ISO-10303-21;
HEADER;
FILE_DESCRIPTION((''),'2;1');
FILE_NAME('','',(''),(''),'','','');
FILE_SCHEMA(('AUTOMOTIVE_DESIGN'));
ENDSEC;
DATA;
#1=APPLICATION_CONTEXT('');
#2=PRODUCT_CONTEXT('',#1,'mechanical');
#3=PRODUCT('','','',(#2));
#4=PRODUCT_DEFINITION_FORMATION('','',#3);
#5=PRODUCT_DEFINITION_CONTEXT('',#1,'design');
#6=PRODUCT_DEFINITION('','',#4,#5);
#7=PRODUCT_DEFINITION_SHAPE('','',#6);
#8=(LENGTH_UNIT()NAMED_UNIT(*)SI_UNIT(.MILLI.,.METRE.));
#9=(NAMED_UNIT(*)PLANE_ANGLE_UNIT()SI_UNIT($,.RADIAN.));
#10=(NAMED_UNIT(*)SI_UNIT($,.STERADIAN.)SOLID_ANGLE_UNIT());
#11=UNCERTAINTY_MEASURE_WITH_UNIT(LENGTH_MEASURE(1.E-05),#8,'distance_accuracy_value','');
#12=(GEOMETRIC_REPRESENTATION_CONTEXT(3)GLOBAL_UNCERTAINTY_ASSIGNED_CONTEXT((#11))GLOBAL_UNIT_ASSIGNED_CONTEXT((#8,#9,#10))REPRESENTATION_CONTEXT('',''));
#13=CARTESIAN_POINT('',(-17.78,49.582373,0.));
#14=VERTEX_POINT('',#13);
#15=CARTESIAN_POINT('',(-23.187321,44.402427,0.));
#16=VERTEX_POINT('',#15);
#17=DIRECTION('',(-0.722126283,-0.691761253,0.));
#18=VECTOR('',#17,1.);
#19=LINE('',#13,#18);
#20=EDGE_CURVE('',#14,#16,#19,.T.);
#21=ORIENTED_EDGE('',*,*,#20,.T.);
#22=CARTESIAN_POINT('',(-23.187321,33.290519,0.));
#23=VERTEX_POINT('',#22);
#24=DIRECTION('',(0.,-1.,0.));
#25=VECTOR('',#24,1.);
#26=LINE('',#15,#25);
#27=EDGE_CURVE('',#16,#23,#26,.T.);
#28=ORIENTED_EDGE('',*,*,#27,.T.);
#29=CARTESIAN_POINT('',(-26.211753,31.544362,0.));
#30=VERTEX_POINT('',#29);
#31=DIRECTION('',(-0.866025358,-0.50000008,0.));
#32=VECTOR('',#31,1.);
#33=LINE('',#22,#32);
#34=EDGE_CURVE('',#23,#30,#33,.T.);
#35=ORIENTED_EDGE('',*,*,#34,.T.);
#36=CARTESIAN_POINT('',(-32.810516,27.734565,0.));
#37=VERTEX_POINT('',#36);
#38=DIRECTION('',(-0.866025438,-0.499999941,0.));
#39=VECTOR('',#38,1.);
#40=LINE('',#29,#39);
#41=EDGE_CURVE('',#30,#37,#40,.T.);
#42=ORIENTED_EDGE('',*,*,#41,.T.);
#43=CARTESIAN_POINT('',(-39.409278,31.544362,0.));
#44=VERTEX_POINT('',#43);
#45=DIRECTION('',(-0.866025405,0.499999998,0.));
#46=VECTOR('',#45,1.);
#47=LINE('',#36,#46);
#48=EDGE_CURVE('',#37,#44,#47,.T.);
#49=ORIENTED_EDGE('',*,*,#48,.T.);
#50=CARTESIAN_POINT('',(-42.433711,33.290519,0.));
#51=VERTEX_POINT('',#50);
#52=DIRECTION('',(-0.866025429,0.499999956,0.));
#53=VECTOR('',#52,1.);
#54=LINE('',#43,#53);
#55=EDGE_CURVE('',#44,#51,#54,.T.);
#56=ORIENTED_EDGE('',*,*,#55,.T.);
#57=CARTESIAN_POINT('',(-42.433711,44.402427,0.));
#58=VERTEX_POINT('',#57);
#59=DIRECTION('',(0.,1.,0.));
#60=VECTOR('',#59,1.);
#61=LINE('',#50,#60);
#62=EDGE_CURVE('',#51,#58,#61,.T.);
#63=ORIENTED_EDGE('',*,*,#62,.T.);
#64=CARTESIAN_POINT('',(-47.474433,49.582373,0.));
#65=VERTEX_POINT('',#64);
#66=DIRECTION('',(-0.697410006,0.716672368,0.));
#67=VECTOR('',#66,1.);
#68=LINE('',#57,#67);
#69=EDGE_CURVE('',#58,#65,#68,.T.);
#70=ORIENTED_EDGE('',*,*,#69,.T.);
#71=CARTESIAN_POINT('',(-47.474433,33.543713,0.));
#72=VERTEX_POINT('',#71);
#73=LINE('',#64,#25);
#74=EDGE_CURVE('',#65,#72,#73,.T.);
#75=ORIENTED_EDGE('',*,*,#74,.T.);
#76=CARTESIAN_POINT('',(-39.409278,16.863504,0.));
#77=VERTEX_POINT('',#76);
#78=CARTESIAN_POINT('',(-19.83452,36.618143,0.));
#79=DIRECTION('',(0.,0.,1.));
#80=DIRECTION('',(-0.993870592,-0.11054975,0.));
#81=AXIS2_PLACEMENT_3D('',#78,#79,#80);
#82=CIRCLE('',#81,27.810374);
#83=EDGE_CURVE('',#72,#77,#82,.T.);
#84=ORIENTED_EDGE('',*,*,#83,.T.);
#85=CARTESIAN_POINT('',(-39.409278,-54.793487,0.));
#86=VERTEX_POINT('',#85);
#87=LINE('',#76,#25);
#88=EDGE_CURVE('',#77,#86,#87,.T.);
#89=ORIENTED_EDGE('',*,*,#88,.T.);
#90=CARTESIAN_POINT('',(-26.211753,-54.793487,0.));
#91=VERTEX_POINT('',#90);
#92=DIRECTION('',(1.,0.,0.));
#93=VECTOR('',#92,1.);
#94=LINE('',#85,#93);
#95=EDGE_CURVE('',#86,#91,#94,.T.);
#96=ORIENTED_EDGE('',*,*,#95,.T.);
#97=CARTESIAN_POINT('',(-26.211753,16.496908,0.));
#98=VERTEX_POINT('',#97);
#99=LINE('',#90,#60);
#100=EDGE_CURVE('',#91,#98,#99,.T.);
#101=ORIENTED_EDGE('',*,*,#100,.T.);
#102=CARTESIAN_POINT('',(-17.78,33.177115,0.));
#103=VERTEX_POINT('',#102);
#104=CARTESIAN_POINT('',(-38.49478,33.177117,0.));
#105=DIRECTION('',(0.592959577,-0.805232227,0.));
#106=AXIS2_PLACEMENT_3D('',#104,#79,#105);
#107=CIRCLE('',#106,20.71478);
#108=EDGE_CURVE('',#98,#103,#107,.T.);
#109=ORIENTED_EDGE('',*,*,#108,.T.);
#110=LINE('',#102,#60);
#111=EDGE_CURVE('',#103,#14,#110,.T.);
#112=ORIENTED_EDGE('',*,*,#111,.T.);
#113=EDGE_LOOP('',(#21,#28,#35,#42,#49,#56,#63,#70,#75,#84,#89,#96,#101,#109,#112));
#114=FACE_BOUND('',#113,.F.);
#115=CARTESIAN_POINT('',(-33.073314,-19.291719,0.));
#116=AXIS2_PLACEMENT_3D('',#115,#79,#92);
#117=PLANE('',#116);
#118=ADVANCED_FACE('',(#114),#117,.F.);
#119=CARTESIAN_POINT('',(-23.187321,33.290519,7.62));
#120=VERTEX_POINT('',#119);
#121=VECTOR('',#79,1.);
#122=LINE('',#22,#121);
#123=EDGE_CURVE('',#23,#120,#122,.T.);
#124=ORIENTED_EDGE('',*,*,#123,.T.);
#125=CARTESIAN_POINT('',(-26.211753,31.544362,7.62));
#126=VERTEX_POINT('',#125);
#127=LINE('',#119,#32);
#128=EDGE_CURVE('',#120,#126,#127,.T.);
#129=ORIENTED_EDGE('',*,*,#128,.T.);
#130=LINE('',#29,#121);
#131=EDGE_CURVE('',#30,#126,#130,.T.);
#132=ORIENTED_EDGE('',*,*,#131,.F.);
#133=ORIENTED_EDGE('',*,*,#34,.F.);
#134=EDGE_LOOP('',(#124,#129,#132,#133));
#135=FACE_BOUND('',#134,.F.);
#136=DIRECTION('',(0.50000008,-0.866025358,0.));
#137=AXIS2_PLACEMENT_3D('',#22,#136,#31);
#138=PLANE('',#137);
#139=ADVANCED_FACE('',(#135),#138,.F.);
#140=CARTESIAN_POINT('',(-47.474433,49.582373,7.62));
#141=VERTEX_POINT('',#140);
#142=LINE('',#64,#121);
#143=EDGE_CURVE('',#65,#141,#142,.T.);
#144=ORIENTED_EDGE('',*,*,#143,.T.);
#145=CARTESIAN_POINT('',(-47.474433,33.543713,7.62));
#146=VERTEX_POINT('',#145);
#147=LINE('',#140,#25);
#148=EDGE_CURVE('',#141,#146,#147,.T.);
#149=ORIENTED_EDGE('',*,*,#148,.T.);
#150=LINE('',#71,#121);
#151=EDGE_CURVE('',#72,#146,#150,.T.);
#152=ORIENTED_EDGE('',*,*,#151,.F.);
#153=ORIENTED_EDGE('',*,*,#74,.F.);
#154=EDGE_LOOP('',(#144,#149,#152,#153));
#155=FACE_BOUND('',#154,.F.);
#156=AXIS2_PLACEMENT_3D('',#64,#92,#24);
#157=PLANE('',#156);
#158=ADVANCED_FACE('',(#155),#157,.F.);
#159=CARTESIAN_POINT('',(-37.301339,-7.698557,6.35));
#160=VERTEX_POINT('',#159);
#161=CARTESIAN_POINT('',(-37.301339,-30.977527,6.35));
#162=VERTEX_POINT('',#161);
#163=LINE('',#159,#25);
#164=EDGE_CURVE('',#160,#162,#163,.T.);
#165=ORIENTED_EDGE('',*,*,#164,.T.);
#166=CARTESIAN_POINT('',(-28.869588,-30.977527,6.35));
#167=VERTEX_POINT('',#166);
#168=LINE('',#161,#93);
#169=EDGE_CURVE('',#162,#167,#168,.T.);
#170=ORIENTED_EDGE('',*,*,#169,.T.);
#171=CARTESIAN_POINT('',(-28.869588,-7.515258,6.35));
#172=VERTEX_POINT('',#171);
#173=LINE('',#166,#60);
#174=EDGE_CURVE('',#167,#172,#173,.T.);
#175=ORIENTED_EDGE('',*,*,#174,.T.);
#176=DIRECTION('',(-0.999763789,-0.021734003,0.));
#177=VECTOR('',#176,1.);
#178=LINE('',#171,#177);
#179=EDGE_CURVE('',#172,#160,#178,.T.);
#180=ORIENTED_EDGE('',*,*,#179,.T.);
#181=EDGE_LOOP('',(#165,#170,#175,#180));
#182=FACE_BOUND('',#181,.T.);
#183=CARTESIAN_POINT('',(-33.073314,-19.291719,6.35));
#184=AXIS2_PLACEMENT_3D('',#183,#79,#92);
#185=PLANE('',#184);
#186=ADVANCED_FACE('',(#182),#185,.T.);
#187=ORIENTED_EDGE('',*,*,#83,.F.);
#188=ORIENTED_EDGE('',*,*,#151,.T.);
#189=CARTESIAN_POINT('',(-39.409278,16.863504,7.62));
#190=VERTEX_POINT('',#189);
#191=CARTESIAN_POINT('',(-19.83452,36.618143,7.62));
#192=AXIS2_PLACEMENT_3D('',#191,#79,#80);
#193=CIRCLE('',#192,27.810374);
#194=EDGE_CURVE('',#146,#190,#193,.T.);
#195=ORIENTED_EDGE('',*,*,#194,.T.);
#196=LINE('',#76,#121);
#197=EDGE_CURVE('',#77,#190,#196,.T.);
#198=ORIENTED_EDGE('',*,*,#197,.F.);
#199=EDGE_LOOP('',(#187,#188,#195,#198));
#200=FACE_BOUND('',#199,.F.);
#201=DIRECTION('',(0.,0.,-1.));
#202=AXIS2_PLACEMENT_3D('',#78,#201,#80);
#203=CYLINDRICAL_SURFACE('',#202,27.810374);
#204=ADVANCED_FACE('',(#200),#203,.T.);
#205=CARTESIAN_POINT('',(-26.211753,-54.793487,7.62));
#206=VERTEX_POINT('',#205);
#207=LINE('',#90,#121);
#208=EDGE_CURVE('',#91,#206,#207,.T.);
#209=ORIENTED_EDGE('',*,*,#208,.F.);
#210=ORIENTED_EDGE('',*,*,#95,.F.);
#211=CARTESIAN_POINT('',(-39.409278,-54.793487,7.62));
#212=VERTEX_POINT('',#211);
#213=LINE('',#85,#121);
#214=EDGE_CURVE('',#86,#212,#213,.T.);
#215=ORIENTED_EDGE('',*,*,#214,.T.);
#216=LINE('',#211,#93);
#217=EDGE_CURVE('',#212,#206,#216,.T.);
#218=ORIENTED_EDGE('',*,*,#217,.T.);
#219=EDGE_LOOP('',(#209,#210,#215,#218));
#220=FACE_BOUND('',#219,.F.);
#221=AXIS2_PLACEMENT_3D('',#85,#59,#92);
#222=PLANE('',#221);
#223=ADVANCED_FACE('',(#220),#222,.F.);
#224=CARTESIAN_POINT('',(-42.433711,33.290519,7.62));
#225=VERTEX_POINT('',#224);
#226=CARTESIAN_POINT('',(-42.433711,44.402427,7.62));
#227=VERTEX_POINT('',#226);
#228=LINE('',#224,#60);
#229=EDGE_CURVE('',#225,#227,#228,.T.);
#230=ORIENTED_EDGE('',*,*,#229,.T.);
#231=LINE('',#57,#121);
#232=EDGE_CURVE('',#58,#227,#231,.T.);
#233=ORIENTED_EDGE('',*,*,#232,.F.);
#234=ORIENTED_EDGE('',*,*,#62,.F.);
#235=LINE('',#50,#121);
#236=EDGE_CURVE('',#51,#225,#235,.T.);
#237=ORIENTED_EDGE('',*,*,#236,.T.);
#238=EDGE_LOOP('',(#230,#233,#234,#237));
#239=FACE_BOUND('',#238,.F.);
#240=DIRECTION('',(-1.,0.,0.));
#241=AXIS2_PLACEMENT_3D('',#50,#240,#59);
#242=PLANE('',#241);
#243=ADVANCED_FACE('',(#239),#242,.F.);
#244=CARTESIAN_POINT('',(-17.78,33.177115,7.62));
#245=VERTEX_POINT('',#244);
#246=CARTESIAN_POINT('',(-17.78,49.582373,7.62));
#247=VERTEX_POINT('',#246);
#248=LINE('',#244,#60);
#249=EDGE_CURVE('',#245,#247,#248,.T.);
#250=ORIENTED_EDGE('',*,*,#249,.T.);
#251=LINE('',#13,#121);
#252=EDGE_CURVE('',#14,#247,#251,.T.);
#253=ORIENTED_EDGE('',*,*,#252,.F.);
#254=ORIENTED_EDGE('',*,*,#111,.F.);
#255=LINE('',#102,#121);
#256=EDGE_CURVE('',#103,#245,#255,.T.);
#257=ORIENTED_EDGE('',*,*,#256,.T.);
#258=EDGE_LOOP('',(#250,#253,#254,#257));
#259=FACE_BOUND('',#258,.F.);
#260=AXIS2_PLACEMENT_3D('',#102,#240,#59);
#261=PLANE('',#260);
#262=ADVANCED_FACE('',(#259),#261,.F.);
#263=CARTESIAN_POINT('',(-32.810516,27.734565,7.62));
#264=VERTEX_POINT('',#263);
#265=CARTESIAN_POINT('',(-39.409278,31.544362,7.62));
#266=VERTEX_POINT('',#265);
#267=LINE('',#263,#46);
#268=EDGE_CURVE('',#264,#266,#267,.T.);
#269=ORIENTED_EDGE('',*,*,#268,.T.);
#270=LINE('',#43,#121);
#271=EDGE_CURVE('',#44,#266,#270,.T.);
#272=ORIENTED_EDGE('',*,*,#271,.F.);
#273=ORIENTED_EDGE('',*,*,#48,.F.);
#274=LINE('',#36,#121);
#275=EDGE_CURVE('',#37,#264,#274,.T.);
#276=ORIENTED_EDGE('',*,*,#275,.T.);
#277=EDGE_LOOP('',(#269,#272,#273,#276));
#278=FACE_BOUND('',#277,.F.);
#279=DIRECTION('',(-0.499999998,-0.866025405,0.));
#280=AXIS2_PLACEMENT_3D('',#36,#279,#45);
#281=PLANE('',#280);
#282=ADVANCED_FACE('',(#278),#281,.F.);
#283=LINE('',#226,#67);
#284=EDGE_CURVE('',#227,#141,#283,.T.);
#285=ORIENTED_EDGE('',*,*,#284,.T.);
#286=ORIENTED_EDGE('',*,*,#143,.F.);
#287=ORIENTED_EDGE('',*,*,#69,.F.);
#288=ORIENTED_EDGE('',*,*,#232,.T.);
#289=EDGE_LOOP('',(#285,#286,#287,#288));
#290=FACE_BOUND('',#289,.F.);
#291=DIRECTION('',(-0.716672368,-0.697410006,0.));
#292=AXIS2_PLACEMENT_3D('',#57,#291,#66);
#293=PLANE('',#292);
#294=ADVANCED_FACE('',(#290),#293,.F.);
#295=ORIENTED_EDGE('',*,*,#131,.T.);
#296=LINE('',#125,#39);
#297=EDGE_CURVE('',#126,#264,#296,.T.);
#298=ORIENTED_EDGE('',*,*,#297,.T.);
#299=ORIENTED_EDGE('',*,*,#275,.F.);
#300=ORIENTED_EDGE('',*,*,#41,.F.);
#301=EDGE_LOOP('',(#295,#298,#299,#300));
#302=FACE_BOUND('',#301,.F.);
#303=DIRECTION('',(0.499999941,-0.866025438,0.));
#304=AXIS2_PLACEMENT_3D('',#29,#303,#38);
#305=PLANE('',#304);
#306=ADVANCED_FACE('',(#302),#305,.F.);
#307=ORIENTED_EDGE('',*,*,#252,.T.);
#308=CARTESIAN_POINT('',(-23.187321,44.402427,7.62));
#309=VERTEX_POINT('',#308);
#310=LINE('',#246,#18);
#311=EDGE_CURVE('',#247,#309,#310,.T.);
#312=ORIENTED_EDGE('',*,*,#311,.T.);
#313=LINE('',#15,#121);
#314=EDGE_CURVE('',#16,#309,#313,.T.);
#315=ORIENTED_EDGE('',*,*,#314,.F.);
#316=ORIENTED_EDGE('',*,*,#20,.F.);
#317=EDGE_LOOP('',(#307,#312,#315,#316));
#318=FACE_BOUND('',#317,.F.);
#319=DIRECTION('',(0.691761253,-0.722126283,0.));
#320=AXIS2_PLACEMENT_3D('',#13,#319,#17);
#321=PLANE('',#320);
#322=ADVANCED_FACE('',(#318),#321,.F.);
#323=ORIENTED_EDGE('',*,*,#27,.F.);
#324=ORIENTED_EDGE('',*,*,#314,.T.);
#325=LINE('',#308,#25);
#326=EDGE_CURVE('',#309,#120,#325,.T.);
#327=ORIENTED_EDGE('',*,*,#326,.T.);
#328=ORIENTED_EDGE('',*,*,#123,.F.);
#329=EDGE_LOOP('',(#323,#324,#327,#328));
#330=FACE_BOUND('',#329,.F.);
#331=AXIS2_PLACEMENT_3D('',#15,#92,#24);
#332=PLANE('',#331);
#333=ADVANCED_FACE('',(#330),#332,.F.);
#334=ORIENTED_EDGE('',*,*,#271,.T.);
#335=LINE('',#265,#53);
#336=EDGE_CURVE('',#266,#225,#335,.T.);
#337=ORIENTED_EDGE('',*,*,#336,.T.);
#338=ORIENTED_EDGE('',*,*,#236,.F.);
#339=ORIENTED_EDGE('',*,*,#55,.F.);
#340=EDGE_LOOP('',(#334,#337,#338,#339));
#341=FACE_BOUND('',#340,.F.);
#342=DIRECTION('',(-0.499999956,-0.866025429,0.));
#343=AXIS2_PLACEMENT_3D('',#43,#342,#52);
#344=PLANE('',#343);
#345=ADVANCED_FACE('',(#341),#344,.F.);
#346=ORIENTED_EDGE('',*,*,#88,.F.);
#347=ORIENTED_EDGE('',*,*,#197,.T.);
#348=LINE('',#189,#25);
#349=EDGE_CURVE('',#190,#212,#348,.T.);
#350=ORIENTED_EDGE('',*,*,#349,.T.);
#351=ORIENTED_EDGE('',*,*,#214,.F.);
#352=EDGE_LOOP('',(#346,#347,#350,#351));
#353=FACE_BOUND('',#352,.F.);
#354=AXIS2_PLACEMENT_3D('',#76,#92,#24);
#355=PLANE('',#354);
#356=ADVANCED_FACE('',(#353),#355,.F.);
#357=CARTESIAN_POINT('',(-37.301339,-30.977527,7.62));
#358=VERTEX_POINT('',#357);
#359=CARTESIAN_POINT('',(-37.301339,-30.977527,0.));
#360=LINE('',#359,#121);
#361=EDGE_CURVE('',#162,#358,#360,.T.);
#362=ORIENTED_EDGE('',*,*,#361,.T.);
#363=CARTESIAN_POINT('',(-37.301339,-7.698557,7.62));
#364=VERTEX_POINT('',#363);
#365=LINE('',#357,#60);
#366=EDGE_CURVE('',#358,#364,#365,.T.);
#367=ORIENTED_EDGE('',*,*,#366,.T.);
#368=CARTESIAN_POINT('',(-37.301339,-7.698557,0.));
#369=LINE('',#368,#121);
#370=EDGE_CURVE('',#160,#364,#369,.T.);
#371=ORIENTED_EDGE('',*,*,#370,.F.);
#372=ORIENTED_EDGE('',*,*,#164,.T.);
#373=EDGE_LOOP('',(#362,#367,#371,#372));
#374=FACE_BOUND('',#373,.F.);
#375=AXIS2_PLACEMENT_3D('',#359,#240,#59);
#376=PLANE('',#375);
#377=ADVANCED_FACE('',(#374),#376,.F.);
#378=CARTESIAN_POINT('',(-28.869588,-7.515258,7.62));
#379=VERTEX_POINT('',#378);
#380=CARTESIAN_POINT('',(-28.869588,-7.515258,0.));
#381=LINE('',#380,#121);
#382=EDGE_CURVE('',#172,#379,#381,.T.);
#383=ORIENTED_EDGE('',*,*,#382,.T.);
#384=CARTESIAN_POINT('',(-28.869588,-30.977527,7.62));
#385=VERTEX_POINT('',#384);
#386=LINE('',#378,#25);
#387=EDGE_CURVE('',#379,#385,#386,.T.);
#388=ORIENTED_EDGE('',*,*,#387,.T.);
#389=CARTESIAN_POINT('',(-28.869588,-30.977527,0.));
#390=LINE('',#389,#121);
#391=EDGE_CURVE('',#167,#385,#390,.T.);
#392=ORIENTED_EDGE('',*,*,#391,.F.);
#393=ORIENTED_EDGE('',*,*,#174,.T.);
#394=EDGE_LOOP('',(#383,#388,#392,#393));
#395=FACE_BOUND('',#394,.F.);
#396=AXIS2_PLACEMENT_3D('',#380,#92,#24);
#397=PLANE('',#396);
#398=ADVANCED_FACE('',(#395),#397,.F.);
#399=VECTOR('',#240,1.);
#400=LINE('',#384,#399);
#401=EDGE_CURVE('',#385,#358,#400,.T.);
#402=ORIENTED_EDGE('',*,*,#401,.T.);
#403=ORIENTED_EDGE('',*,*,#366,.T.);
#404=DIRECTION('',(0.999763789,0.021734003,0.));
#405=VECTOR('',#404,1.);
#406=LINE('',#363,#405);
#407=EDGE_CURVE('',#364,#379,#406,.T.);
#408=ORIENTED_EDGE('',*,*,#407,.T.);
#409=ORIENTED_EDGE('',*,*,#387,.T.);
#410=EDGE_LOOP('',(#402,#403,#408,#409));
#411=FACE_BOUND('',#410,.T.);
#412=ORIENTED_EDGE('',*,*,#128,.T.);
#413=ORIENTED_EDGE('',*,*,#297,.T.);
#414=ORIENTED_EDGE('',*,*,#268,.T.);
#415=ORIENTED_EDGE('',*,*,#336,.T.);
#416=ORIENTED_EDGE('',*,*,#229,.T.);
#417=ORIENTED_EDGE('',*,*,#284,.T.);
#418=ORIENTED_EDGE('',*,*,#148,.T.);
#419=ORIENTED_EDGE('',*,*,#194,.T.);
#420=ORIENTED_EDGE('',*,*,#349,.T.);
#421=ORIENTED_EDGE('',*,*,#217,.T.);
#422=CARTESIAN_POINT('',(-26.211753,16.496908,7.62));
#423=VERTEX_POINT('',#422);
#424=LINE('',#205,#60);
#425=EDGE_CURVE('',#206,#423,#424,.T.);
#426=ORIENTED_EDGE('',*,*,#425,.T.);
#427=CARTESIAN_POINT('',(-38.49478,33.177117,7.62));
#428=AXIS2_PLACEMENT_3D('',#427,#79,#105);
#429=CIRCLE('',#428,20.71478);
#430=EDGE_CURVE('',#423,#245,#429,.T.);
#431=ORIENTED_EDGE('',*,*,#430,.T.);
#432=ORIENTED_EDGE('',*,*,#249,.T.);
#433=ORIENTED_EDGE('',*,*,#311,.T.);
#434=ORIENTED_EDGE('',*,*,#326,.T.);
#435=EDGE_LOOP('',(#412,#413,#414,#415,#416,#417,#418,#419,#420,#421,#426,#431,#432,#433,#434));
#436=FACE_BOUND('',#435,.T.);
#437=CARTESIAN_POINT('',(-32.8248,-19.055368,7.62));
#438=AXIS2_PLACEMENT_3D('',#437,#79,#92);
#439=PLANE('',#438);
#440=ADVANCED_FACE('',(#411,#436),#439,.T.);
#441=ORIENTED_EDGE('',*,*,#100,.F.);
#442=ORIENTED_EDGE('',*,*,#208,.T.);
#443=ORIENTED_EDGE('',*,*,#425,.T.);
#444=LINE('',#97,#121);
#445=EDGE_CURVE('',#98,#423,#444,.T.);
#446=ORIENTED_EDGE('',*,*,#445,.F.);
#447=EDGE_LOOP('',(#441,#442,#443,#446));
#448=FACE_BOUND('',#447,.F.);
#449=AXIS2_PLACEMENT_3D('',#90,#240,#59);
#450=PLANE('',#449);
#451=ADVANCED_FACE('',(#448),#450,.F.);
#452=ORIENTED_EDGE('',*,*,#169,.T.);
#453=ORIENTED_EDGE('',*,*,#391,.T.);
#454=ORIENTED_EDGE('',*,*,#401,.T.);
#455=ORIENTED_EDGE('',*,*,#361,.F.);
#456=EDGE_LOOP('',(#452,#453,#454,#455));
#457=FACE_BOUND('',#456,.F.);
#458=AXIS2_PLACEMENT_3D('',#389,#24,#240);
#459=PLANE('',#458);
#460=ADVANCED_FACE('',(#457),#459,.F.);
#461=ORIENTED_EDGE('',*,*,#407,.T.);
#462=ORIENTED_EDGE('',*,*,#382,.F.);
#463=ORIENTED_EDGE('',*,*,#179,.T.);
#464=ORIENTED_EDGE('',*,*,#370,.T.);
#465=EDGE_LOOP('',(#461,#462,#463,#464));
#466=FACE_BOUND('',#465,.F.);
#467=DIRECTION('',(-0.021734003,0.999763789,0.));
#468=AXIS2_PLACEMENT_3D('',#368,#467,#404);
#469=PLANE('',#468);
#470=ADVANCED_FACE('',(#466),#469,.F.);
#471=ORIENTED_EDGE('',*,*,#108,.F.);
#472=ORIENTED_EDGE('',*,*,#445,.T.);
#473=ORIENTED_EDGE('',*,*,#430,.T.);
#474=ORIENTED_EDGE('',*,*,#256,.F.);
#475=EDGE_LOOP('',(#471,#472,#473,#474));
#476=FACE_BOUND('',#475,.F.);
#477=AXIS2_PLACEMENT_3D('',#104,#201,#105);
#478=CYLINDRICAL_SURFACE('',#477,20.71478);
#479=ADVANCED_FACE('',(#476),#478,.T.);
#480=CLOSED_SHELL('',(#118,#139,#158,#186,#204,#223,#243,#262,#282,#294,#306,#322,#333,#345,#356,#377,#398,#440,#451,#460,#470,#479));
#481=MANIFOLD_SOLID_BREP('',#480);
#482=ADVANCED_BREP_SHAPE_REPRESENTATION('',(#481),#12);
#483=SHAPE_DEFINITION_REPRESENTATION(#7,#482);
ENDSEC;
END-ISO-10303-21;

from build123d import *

# Parameters (mm, degrees)
F1_DEPTH = 7.62
F2_DEPTH = 6.35


with BuildPart() as f1:
    # F0 (on Top) → F1 (new body)
    with BuildSketch(Plane.XY):
        Polygon((-39.409278, 16.863504), (-39.409278, -54.793487), (-26.211753, -54.793487), (-26.211753, 16.496908), align=None)
        Polygon((-37.301339, -30.977527), (-37.301339, -7.698557), (-28.869588, -7.515258), (-28.869588, -30.977527), align=None, mode=Mode.SUBTRACT)
        with BuildLine():
            ThreePointArc((-47.474433, 33.543713), (-44.871765, 24.512224), (-39.409278, 16.863504))
            Line((-39.409278, 16.863504), (-26.211753, 16.496908))
            ThreePointArc((-26.211753, 16.496908), (-20.007727, 23.832012), (-17.78, 33.177115))
            Line((-17.78, 33.177115), (-17.78, 49.582373))
            Line((-17.78, 49.582373), (-23.187321, 44.402427))
            Line((-23.187321, 44.402427), (-23.187321, 33.290519))
            Line((-23.187321, 33.290519), (-26.211753, 31.544362))
            Line((-26.211753, 31.544362), (-32.810516, 27.734565))
            Line((-32.810516, 27.734565), (-39.409278, 31.544362))
            Line((-39.409278, 31.544362), (-42.433711, 33.290519))
            Line((-42.433711, 33.290519), (-42.433711, 44.402427))
            Line((-42.433711, 44.402427), (-47.474433, 49.582373))
            Line((-47.474433, 49.582373), (-47.474433, 33.543713))
        make_face()
    extrude(amount=F1_DEPTH)

    # F0 (on Top) → F2 (join)
    with BuildSketch(Plane.XY):
        Polygon((-28.869588, -7.515258), (-37.301339, -7.698557), (-37.301339, -30.977527), (-28.869588, -30.977527), align=None)
    extrude(amount=F2_DEPTH)


solid = f1.part
